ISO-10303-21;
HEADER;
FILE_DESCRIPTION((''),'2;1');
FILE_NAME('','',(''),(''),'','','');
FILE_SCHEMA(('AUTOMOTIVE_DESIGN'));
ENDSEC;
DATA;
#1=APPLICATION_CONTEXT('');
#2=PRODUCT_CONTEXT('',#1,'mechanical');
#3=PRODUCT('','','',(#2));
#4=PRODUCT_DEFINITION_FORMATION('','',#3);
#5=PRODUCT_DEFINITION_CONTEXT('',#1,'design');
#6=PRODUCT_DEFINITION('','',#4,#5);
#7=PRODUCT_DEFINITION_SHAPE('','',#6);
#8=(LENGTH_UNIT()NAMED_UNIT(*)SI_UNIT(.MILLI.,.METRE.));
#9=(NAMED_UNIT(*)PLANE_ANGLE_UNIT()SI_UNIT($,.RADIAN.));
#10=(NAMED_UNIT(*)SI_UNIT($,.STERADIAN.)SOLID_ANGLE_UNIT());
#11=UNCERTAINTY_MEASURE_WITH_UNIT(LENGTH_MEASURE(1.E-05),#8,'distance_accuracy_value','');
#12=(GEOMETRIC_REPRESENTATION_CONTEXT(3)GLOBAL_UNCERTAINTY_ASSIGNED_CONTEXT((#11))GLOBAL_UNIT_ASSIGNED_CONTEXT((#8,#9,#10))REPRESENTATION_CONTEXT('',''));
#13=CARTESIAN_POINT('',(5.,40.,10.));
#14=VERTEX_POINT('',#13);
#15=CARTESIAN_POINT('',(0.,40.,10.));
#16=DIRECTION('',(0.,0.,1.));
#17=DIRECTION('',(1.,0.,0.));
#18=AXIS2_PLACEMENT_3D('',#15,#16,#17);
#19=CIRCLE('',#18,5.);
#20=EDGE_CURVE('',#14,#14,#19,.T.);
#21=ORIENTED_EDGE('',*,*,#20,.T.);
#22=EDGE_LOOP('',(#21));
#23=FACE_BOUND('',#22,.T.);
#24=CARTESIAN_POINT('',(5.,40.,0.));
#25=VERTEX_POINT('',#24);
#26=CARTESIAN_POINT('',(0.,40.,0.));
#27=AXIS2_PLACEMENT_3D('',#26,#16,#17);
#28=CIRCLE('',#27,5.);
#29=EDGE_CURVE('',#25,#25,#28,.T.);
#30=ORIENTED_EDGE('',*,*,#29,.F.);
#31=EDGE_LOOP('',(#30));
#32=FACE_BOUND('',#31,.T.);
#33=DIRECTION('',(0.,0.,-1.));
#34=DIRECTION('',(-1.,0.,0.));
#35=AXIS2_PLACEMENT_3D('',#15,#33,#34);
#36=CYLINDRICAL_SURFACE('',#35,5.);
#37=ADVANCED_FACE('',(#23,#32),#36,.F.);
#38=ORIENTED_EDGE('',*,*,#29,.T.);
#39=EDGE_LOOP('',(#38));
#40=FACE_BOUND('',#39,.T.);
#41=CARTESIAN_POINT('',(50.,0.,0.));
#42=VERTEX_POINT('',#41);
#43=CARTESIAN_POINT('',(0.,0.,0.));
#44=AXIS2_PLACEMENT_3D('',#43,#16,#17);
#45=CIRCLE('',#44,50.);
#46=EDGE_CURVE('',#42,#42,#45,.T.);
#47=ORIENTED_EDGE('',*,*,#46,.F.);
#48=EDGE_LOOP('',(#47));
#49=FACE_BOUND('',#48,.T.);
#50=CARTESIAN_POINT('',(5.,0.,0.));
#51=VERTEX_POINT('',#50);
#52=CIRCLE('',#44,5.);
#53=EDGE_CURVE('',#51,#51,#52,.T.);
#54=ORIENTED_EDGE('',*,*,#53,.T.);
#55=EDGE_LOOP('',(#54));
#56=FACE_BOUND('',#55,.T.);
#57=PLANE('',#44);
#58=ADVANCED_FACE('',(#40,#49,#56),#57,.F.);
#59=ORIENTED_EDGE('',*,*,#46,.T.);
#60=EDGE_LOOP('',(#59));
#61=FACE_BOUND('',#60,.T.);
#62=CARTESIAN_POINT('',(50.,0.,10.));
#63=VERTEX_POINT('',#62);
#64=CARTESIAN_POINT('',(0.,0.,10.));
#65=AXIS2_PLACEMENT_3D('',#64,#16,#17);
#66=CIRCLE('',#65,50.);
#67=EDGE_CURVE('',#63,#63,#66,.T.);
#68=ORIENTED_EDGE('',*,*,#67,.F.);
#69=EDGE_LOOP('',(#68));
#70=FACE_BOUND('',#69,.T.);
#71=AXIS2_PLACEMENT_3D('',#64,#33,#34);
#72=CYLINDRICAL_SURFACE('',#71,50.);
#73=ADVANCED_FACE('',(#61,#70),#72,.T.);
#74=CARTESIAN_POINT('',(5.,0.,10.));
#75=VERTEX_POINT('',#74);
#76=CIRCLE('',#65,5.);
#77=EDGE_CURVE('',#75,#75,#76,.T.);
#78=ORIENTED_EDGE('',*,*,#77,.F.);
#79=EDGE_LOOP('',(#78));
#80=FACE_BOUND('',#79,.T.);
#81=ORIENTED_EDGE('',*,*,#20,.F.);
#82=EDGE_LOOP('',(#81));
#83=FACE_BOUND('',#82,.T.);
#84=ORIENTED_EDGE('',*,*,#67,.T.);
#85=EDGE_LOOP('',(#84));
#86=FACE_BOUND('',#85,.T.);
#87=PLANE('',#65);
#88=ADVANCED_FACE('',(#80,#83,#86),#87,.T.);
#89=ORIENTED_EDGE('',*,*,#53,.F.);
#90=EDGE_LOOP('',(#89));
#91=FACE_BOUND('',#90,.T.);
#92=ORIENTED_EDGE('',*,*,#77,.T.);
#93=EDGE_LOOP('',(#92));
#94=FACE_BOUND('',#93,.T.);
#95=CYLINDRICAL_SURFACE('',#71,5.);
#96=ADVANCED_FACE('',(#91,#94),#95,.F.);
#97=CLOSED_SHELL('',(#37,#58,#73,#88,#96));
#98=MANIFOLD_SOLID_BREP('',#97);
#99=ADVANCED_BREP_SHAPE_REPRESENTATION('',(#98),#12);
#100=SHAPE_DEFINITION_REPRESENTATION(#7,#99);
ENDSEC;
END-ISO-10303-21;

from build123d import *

# Parameters (mm, degrees)
SKETCH1_R           = 50
SKETCH1_R_2         = 5
BOSS_EXTRUDE1_DEPTH = 10


with BuildPart() as part:
    # Sketch1 → Boss-Extrude1 (new body)
    with BuildSketch(Plane.XY):
        Circle(SKETCH1_R)
        Circle(SKETCH1_R_2, mode=Mode.SUBTRACT)
        with Locations((0, 40)):
            Circle(SKETCH1_R_2, mode=Mode.SUBTRACT)
    extrude(amount=BOSS_EXTRUDE1_DEPTH)


solid = part.part
